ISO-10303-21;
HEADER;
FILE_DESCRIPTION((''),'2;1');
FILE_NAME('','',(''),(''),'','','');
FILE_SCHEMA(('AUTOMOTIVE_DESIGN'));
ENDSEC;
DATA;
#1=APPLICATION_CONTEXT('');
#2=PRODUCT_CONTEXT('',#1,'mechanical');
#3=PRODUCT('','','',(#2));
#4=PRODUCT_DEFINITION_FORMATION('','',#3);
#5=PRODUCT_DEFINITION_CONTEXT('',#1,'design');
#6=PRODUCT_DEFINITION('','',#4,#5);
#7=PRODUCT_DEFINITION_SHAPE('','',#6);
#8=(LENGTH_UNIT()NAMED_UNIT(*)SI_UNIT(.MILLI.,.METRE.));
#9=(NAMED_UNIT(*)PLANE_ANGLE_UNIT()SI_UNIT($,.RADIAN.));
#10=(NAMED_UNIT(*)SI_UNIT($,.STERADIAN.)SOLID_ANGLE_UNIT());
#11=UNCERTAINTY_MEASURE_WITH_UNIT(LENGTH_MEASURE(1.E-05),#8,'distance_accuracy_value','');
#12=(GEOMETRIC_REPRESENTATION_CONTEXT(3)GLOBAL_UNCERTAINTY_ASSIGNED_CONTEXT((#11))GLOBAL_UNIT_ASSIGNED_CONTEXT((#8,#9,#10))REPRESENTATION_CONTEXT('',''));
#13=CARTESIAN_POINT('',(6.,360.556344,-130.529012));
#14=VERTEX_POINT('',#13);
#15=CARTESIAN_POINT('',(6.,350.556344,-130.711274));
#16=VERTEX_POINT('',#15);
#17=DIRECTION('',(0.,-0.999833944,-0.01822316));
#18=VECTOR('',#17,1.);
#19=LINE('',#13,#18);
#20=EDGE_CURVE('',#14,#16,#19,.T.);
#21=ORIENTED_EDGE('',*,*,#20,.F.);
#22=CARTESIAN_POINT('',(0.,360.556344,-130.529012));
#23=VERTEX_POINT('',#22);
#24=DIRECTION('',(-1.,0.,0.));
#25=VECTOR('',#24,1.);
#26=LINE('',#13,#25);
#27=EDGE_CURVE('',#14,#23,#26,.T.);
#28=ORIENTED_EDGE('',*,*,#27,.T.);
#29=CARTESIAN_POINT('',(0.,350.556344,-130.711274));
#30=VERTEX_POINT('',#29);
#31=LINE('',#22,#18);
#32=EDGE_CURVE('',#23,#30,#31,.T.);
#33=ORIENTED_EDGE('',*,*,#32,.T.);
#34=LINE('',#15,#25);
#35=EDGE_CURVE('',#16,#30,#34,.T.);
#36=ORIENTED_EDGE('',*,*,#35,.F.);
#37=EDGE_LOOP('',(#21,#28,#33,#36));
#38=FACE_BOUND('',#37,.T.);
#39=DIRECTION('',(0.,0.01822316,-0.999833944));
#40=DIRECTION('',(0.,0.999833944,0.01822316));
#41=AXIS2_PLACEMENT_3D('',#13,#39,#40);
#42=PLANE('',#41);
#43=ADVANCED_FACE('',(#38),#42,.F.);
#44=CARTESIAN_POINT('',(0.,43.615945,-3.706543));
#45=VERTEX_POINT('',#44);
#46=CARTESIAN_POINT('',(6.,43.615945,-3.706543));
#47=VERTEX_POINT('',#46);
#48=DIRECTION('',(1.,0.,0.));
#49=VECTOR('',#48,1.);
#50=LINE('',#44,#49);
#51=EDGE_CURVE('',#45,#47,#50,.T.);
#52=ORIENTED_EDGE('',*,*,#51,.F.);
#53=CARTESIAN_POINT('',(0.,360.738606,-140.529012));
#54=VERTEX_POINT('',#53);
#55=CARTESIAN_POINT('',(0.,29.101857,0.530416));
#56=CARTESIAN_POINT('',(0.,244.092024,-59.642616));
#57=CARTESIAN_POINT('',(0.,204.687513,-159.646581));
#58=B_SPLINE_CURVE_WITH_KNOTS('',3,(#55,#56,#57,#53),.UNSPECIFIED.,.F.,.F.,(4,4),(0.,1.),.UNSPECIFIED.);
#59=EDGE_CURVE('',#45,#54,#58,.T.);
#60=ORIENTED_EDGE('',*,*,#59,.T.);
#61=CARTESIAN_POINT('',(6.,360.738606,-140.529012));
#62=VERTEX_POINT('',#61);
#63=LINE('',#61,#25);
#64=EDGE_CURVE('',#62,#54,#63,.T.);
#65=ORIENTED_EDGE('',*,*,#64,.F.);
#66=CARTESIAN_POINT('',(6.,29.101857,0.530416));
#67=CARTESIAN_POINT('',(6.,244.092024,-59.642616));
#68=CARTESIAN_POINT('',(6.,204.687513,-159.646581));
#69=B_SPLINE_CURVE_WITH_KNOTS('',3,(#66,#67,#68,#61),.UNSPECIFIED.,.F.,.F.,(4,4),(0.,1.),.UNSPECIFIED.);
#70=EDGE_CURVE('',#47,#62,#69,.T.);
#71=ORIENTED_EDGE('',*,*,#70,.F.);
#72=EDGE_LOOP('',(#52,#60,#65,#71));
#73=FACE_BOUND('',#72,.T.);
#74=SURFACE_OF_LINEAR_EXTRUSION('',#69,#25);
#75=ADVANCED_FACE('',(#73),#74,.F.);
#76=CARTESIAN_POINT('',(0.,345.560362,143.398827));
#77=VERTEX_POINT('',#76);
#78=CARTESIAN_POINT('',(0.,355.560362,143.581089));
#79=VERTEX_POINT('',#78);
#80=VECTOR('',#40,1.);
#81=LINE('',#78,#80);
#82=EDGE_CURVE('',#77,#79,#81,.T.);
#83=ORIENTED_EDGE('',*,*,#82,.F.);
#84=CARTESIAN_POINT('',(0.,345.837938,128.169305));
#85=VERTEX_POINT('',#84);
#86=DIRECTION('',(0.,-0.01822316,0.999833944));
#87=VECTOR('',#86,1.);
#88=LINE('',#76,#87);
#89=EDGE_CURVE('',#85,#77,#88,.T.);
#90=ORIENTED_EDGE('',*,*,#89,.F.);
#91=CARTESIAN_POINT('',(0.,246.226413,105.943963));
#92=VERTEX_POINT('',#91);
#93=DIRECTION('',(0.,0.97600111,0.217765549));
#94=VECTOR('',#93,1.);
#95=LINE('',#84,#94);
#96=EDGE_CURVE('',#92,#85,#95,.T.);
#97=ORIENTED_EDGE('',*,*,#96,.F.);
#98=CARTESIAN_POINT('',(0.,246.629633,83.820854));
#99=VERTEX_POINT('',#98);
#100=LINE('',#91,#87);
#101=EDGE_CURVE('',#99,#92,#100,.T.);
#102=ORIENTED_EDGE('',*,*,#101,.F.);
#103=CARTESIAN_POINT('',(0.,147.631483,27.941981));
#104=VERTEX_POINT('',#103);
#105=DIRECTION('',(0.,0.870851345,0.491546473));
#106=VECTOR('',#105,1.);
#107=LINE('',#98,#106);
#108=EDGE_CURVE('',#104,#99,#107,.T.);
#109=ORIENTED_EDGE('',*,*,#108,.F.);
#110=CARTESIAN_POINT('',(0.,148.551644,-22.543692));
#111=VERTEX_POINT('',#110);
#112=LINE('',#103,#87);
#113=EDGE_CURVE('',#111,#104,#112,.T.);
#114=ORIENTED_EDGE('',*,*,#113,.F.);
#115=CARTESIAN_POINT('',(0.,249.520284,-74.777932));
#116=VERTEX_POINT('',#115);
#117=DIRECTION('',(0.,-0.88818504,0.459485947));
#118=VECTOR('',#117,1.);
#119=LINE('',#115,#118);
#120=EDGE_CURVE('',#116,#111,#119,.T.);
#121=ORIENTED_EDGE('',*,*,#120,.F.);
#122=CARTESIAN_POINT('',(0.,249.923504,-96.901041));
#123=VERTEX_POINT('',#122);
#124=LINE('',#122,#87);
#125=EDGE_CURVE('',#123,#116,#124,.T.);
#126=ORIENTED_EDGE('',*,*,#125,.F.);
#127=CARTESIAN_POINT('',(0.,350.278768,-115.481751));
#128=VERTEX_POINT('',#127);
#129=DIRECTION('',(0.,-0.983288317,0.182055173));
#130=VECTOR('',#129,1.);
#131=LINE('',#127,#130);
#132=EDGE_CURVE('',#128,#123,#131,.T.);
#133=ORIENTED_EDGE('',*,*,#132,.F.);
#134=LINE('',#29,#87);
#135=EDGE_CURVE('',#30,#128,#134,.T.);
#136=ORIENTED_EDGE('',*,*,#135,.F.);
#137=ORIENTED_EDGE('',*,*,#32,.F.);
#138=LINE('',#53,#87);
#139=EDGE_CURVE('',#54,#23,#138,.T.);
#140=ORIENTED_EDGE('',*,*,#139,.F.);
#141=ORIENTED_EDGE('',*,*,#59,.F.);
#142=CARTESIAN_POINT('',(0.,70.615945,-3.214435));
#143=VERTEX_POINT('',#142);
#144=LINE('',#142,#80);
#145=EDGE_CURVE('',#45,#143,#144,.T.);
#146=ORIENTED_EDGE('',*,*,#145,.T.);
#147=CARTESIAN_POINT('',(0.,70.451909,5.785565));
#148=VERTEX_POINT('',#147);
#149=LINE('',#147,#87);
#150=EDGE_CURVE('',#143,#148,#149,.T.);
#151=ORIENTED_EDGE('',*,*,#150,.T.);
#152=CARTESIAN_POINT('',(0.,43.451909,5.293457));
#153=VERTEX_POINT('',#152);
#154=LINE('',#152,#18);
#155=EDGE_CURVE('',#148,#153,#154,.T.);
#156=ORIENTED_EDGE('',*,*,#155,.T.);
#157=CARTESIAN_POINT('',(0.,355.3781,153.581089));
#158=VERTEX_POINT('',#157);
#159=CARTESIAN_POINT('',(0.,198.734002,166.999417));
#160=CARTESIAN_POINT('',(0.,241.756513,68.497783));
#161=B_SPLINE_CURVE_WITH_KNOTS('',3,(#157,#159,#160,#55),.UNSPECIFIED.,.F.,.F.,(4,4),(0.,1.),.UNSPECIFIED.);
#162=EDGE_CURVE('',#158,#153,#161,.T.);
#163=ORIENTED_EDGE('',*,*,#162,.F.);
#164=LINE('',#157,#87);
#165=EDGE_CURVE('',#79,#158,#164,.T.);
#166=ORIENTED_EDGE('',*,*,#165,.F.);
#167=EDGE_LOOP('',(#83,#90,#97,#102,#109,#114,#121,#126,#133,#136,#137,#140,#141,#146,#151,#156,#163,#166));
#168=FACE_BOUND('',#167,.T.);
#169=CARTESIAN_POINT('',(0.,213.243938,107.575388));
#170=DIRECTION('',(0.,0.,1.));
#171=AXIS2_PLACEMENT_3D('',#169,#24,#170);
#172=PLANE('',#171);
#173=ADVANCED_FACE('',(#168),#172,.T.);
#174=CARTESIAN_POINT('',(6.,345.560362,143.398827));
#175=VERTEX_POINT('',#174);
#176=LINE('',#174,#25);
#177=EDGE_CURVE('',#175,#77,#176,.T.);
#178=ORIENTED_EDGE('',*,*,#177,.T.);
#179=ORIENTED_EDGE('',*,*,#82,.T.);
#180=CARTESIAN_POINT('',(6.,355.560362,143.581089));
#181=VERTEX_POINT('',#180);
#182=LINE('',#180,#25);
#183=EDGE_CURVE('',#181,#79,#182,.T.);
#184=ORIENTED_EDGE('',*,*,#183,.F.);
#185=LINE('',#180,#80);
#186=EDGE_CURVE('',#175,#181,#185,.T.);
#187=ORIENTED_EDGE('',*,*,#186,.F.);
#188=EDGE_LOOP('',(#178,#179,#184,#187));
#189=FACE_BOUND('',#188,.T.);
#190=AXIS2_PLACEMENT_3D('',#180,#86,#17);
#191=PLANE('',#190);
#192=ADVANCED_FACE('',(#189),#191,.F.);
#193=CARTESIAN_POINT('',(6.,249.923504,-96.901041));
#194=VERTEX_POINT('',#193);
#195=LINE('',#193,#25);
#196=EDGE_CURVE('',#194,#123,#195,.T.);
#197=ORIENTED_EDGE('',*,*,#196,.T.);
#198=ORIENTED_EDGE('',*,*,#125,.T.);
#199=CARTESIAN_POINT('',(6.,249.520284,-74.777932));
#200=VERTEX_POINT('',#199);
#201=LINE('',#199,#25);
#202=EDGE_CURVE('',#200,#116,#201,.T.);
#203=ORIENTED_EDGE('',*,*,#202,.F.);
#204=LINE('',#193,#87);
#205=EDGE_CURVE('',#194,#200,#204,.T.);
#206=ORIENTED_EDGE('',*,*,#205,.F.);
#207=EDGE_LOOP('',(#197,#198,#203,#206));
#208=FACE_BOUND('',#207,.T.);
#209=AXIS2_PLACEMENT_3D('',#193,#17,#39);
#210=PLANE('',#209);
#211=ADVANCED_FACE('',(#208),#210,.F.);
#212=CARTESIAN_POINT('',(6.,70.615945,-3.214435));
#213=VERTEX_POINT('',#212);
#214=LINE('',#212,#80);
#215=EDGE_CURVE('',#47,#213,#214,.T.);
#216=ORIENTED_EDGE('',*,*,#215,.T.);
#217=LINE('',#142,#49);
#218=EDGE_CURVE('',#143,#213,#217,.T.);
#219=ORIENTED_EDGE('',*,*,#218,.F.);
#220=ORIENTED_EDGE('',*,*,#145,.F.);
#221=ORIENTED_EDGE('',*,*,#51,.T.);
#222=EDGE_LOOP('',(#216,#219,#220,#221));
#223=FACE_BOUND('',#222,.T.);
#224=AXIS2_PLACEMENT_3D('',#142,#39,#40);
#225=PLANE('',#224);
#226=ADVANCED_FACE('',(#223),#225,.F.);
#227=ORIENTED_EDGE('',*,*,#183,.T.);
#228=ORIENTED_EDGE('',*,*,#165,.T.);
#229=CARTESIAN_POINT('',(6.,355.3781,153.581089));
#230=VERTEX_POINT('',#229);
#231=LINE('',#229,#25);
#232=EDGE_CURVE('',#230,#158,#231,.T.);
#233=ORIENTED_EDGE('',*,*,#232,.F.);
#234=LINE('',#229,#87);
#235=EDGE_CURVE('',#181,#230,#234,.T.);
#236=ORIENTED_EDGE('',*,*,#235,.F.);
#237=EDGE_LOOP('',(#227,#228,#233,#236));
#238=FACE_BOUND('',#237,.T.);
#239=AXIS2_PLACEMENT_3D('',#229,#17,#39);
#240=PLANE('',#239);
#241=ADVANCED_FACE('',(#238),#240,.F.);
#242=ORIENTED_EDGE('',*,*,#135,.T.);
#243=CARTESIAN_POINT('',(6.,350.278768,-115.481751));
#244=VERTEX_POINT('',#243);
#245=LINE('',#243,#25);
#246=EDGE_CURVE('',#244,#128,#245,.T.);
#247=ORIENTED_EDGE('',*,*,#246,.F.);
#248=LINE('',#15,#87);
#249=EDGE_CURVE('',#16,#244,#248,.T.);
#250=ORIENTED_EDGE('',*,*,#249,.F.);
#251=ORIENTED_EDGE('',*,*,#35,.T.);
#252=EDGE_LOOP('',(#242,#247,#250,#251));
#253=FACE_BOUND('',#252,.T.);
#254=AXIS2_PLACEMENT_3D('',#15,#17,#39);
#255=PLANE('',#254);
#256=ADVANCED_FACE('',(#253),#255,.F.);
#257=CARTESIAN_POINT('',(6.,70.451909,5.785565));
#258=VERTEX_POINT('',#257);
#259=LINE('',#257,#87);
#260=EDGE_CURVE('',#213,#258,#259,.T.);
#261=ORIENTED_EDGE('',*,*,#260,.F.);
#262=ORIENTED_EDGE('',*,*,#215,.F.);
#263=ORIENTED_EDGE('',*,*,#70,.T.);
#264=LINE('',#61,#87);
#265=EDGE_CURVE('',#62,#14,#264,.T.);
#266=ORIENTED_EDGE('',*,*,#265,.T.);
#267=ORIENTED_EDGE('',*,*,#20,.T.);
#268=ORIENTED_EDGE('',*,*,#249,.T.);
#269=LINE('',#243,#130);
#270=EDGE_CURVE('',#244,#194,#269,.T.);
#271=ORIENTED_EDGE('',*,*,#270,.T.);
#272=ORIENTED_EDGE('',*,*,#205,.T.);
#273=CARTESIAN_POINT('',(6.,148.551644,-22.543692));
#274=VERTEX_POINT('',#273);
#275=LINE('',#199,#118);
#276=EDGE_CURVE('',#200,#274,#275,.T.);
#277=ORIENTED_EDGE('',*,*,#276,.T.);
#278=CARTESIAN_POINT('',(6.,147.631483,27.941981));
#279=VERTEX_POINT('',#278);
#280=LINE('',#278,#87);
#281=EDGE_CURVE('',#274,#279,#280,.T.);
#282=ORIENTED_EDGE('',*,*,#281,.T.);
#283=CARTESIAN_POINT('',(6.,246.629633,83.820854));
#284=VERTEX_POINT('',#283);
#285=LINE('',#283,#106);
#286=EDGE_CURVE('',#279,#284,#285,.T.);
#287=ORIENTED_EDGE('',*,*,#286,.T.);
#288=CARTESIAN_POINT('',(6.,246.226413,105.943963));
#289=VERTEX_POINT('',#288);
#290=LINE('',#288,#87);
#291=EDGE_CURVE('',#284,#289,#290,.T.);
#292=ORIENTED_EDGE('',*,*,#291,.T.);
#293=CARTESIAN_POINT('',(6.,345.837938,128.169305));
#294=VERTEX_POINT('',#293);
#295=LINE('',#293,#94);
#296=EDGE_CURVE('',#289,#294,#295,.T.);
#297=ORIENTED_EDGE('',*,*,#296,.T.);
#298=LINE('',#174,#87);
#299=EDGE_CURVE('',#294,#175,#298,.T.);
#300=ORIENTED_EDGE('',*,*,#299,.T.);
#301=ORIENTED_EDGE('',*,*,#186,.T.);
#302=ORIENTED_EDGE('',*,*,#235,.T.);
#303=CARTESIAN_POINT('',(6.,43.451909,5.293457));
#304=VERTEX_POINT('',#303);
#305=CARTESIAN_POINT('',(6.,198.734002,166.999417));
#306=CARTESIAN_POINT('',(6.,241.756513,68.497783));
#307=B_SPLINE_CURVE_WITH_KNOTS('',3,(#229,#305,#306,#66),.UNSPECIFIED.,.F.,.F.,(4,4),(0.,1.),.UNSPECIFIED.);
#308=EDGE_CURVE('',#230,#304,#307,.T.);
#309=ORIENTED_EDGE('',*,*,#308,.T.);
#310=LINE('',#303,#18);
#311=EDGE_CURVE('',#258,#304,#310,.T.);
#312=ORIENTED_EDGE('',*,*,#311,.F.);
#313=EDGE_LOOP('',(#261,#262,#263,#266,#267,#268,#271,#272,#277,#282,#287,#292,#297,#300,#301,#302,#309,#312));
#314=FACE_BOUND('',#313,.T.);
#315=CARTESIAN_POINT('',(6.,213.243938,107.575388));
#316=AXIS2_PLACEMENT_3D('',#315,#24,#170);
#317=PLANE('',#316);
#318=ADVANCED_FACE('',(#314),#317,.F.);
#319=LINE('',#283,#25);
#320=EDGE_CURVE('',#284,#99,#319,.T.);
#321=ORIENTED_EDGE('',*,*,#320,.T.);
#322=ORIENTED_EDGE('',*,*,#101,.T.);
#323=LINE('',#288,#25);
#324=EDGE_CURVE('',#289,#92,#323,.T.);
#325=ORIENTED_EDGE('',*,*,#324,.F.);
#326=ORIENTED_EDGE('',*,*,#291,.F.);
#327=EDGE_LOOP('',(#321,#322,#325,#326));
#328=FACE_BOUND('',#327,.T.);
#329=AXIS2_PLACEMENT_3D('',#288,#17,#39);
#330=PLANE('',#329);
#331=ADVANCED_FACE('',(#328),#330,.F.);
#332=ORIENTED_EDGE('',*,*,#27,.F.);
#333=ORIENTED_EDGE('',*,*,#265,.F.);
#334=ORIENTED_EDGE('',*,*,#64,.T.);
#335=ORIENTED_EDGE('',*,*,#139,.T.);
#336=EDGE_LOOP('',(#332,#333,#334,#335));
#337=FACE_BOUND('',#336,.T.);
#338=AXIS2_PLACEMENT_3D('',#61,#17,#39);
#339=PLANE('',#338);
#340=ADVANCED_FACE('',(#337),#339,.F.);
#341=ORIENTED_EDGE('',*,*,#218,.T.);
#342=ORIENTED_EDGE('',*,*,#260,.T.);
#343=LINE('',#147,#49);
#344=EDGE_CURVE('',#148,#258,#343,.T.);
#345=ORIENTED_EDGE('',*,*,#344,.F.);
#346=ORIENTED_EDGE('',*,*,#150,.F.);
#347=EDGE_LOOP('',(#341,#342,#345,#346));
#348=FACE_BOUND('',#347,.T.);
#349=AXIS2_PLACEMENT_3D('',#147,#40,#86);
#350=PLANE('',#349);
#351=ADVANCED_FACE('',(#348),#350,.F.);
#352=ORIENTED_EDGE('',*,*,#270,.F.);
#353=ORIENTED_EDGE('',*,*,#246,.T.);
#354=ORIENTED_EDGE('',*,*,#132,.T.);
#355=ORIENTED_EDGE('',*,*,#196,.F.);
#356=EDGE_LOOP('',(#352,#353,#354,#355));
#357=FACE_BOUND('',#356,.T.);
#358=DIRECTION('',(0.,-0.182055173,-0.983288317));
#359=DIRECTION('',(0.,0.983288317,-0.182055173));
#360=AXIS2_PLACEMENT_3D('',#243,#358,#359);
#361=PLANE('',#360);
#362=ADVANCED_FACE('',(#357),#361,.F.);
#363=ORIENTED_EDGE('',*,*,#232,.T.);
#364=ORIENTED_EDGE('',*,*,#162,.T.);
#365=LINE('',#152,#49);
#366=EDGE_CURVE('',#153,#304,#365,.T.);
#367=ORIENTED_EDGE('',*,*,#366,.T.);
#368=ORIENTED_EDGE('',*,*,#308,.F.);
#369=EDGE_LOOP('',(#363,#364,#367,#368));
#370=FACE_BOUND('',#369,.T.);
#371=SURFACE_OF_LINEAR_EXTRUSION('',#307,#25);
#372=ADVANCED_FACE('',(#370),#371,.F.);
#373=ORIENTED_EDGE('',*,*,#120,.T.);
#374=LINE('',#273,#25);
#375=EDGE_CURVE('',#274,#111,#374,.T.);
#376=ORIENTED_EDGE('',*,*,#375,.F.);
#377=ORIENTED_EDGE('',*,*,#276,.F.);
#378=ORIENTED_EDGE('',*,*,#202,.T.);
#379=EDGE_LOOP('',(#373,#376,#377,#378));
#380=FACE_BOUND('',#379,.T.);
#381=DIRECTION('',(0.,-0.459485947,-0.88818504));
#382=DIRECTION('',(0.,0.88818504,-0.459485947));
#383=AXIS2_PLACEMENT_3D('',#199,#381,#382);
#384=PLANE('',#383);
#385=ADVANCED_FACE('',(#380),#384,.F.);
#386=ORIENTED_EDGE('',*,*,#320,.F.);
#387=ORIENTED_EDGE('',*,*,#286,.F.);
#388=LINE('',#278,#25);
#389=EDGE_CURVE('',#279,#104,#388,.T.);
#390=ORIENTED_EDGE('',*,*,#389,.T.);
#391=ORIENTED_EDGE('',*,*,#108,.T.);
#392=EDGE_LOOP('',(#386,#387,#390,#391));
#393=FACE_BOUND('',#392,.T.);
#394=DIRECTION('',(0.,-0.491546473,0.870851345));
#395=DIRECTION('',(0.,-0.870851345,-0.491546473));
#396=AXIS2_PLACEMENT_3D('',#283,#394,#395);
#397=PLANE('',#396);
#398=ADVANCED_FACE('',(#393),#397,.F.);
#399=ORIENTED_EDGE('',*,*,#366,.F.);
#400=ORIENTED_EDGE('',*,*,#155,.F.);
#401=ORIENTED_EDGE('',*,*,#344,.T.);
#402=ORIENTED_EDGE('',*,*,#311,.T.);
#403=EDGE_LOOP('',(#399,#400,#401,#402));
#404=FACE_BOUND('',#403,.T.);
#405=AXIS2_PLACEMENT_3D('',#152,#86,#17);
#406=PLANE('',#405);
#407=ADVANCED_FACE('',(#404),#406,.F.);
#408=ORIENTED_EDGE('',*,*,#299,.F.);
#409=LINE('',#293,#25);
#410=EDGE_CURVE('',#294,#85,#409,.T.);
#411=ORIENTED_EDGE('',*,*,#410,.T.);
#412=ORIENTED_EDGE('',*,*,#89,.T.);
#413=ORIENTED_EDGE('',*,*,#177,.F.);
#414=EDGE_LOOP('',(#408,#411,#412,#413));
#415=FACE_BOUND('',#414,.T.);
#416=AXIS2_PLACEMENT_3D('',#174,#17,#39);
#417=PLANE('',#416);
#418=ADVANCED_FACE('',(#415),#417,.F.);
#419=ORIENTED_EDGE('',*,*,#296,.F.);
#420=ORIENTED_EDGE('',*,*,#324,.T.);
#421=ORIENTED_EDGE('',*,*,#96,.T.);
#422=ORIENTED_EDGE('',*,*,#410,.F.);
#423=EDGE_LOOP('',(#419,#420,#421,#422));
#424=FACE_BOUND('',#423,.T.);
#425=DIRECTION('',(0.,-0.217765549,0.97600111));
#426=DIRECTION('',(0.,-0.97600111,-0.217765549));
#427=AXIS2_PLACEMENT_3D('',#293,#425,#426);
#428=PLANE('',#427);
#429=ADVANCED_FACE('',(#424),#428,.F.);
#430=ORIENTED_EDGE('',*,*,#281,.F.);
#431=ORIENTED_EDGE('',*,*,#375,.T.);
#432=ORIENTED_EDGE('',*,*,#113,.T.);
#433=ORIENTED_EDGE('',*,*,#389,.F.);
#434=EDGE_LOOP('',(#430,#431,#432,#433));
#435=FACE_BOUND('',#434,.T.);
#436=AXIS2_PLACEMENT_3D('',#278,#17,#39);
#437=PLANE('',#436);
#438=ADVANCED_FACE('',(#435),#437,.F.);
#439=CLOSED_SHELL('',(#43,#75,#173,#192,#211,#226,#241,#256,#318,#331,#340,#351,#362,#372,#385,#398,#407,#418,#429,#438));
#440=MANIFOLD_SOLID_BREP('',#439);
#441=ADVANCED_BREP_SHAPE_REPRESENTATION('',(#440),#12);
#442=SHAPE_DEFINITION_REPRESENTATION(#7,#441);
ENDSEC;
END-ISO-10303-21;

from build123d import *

# Parameters (mm, degrees)
BOSS_EXTRU_3_DEPTH      = 6
ENL_V_MAT_EXTRU_1_DEPTH = 6


with BuildPart() as part:
    # Esquisse2 → Boss.-Extru.3 (new body)
    with BuildSketch(Plane(origin=(0, 0, 0), x_dir=(0, 0, -1), z_dir=(1, 0, 0))):
        with BuildLine():
            Line((-153.58108881, 355.378099815), (-143.58108881, 355.560361684))
            Line((-143.58108881, 355.560361684), (-143.39882694, 345.560361684))
            Line((-143.39882694, 345.560361684), (-128.169304566, 345.837937807))
            Line((-128.169304566, 345.837937807), (-105.94396261, 246.22641273))
            Line((-105.94396261, 246.22641273), (-83.820853526, 246.629632653))
            Line((-83.820853526, 246.629632653), (-27.941981049, 147.631483115))
            Line((-27.941981049, 147.631483115), (22.543691986, 148.551644432))
            Line((22.543691986, 148.551644432), (74.777932377, 249.52028378))
            Line((74.777932377, 249.52028378), (96.901041462, 249.923503702))
            Line((96.901041462, 249.923503702), (115.481751333, 350.27876751))
            Line((115.481751333, 350.27876751), (130.711273707, 350.556343633))
            Line((130.711273707, 350.556343633), (130.529011837, 360.556343633))
            Line((130.529011837, 360.556343633), (140.529011837, 360.738605503))
            add(Edge.make_bspline(
                [(140.529011837, 360.738605503), (159.646581348, 204.687512569), (59.642616495, 244.092023687), (-0.530415896, 29.101857484)],
                knots=[0, 0, 0, 0, 1, 1, 1, 1], degree=3))
            add(Edge.make_bspline(
                [(-153.58108881, 355.378099815), (-166.999417296, 198.734001521), (-68.497782766, 241.75651281), (-0.530415896, 29.101857484)],
                knots=[0, 0, 0, 0, 1, 1, 1, 1], degree=3))
        make_face()
    extrude(amount=BOSS_EXTRU_3_DEPTH)

    # Esquisse3 → Enlèv. mat.-Extru.1 (cut)
    with BuildSketch(Plane(origin=(6, 0, 0), x_dir=(0, 0, -1), z_dir=(1, 0, 0))):
        Polygon((-5.293457494, 43.451909202), (-5.785564543, 70.451909202), (3.214435457, 70.615944885), (3.706542506, 43.615944885), (37.266820682, 4.89282241), (-21.958507577, 2.054547892), align=None)
    extrude(amount=-ENL_V_MAT_EXTRU_1_DEPTH, mode=Mode.SUBTRACT)


solid = part.part
